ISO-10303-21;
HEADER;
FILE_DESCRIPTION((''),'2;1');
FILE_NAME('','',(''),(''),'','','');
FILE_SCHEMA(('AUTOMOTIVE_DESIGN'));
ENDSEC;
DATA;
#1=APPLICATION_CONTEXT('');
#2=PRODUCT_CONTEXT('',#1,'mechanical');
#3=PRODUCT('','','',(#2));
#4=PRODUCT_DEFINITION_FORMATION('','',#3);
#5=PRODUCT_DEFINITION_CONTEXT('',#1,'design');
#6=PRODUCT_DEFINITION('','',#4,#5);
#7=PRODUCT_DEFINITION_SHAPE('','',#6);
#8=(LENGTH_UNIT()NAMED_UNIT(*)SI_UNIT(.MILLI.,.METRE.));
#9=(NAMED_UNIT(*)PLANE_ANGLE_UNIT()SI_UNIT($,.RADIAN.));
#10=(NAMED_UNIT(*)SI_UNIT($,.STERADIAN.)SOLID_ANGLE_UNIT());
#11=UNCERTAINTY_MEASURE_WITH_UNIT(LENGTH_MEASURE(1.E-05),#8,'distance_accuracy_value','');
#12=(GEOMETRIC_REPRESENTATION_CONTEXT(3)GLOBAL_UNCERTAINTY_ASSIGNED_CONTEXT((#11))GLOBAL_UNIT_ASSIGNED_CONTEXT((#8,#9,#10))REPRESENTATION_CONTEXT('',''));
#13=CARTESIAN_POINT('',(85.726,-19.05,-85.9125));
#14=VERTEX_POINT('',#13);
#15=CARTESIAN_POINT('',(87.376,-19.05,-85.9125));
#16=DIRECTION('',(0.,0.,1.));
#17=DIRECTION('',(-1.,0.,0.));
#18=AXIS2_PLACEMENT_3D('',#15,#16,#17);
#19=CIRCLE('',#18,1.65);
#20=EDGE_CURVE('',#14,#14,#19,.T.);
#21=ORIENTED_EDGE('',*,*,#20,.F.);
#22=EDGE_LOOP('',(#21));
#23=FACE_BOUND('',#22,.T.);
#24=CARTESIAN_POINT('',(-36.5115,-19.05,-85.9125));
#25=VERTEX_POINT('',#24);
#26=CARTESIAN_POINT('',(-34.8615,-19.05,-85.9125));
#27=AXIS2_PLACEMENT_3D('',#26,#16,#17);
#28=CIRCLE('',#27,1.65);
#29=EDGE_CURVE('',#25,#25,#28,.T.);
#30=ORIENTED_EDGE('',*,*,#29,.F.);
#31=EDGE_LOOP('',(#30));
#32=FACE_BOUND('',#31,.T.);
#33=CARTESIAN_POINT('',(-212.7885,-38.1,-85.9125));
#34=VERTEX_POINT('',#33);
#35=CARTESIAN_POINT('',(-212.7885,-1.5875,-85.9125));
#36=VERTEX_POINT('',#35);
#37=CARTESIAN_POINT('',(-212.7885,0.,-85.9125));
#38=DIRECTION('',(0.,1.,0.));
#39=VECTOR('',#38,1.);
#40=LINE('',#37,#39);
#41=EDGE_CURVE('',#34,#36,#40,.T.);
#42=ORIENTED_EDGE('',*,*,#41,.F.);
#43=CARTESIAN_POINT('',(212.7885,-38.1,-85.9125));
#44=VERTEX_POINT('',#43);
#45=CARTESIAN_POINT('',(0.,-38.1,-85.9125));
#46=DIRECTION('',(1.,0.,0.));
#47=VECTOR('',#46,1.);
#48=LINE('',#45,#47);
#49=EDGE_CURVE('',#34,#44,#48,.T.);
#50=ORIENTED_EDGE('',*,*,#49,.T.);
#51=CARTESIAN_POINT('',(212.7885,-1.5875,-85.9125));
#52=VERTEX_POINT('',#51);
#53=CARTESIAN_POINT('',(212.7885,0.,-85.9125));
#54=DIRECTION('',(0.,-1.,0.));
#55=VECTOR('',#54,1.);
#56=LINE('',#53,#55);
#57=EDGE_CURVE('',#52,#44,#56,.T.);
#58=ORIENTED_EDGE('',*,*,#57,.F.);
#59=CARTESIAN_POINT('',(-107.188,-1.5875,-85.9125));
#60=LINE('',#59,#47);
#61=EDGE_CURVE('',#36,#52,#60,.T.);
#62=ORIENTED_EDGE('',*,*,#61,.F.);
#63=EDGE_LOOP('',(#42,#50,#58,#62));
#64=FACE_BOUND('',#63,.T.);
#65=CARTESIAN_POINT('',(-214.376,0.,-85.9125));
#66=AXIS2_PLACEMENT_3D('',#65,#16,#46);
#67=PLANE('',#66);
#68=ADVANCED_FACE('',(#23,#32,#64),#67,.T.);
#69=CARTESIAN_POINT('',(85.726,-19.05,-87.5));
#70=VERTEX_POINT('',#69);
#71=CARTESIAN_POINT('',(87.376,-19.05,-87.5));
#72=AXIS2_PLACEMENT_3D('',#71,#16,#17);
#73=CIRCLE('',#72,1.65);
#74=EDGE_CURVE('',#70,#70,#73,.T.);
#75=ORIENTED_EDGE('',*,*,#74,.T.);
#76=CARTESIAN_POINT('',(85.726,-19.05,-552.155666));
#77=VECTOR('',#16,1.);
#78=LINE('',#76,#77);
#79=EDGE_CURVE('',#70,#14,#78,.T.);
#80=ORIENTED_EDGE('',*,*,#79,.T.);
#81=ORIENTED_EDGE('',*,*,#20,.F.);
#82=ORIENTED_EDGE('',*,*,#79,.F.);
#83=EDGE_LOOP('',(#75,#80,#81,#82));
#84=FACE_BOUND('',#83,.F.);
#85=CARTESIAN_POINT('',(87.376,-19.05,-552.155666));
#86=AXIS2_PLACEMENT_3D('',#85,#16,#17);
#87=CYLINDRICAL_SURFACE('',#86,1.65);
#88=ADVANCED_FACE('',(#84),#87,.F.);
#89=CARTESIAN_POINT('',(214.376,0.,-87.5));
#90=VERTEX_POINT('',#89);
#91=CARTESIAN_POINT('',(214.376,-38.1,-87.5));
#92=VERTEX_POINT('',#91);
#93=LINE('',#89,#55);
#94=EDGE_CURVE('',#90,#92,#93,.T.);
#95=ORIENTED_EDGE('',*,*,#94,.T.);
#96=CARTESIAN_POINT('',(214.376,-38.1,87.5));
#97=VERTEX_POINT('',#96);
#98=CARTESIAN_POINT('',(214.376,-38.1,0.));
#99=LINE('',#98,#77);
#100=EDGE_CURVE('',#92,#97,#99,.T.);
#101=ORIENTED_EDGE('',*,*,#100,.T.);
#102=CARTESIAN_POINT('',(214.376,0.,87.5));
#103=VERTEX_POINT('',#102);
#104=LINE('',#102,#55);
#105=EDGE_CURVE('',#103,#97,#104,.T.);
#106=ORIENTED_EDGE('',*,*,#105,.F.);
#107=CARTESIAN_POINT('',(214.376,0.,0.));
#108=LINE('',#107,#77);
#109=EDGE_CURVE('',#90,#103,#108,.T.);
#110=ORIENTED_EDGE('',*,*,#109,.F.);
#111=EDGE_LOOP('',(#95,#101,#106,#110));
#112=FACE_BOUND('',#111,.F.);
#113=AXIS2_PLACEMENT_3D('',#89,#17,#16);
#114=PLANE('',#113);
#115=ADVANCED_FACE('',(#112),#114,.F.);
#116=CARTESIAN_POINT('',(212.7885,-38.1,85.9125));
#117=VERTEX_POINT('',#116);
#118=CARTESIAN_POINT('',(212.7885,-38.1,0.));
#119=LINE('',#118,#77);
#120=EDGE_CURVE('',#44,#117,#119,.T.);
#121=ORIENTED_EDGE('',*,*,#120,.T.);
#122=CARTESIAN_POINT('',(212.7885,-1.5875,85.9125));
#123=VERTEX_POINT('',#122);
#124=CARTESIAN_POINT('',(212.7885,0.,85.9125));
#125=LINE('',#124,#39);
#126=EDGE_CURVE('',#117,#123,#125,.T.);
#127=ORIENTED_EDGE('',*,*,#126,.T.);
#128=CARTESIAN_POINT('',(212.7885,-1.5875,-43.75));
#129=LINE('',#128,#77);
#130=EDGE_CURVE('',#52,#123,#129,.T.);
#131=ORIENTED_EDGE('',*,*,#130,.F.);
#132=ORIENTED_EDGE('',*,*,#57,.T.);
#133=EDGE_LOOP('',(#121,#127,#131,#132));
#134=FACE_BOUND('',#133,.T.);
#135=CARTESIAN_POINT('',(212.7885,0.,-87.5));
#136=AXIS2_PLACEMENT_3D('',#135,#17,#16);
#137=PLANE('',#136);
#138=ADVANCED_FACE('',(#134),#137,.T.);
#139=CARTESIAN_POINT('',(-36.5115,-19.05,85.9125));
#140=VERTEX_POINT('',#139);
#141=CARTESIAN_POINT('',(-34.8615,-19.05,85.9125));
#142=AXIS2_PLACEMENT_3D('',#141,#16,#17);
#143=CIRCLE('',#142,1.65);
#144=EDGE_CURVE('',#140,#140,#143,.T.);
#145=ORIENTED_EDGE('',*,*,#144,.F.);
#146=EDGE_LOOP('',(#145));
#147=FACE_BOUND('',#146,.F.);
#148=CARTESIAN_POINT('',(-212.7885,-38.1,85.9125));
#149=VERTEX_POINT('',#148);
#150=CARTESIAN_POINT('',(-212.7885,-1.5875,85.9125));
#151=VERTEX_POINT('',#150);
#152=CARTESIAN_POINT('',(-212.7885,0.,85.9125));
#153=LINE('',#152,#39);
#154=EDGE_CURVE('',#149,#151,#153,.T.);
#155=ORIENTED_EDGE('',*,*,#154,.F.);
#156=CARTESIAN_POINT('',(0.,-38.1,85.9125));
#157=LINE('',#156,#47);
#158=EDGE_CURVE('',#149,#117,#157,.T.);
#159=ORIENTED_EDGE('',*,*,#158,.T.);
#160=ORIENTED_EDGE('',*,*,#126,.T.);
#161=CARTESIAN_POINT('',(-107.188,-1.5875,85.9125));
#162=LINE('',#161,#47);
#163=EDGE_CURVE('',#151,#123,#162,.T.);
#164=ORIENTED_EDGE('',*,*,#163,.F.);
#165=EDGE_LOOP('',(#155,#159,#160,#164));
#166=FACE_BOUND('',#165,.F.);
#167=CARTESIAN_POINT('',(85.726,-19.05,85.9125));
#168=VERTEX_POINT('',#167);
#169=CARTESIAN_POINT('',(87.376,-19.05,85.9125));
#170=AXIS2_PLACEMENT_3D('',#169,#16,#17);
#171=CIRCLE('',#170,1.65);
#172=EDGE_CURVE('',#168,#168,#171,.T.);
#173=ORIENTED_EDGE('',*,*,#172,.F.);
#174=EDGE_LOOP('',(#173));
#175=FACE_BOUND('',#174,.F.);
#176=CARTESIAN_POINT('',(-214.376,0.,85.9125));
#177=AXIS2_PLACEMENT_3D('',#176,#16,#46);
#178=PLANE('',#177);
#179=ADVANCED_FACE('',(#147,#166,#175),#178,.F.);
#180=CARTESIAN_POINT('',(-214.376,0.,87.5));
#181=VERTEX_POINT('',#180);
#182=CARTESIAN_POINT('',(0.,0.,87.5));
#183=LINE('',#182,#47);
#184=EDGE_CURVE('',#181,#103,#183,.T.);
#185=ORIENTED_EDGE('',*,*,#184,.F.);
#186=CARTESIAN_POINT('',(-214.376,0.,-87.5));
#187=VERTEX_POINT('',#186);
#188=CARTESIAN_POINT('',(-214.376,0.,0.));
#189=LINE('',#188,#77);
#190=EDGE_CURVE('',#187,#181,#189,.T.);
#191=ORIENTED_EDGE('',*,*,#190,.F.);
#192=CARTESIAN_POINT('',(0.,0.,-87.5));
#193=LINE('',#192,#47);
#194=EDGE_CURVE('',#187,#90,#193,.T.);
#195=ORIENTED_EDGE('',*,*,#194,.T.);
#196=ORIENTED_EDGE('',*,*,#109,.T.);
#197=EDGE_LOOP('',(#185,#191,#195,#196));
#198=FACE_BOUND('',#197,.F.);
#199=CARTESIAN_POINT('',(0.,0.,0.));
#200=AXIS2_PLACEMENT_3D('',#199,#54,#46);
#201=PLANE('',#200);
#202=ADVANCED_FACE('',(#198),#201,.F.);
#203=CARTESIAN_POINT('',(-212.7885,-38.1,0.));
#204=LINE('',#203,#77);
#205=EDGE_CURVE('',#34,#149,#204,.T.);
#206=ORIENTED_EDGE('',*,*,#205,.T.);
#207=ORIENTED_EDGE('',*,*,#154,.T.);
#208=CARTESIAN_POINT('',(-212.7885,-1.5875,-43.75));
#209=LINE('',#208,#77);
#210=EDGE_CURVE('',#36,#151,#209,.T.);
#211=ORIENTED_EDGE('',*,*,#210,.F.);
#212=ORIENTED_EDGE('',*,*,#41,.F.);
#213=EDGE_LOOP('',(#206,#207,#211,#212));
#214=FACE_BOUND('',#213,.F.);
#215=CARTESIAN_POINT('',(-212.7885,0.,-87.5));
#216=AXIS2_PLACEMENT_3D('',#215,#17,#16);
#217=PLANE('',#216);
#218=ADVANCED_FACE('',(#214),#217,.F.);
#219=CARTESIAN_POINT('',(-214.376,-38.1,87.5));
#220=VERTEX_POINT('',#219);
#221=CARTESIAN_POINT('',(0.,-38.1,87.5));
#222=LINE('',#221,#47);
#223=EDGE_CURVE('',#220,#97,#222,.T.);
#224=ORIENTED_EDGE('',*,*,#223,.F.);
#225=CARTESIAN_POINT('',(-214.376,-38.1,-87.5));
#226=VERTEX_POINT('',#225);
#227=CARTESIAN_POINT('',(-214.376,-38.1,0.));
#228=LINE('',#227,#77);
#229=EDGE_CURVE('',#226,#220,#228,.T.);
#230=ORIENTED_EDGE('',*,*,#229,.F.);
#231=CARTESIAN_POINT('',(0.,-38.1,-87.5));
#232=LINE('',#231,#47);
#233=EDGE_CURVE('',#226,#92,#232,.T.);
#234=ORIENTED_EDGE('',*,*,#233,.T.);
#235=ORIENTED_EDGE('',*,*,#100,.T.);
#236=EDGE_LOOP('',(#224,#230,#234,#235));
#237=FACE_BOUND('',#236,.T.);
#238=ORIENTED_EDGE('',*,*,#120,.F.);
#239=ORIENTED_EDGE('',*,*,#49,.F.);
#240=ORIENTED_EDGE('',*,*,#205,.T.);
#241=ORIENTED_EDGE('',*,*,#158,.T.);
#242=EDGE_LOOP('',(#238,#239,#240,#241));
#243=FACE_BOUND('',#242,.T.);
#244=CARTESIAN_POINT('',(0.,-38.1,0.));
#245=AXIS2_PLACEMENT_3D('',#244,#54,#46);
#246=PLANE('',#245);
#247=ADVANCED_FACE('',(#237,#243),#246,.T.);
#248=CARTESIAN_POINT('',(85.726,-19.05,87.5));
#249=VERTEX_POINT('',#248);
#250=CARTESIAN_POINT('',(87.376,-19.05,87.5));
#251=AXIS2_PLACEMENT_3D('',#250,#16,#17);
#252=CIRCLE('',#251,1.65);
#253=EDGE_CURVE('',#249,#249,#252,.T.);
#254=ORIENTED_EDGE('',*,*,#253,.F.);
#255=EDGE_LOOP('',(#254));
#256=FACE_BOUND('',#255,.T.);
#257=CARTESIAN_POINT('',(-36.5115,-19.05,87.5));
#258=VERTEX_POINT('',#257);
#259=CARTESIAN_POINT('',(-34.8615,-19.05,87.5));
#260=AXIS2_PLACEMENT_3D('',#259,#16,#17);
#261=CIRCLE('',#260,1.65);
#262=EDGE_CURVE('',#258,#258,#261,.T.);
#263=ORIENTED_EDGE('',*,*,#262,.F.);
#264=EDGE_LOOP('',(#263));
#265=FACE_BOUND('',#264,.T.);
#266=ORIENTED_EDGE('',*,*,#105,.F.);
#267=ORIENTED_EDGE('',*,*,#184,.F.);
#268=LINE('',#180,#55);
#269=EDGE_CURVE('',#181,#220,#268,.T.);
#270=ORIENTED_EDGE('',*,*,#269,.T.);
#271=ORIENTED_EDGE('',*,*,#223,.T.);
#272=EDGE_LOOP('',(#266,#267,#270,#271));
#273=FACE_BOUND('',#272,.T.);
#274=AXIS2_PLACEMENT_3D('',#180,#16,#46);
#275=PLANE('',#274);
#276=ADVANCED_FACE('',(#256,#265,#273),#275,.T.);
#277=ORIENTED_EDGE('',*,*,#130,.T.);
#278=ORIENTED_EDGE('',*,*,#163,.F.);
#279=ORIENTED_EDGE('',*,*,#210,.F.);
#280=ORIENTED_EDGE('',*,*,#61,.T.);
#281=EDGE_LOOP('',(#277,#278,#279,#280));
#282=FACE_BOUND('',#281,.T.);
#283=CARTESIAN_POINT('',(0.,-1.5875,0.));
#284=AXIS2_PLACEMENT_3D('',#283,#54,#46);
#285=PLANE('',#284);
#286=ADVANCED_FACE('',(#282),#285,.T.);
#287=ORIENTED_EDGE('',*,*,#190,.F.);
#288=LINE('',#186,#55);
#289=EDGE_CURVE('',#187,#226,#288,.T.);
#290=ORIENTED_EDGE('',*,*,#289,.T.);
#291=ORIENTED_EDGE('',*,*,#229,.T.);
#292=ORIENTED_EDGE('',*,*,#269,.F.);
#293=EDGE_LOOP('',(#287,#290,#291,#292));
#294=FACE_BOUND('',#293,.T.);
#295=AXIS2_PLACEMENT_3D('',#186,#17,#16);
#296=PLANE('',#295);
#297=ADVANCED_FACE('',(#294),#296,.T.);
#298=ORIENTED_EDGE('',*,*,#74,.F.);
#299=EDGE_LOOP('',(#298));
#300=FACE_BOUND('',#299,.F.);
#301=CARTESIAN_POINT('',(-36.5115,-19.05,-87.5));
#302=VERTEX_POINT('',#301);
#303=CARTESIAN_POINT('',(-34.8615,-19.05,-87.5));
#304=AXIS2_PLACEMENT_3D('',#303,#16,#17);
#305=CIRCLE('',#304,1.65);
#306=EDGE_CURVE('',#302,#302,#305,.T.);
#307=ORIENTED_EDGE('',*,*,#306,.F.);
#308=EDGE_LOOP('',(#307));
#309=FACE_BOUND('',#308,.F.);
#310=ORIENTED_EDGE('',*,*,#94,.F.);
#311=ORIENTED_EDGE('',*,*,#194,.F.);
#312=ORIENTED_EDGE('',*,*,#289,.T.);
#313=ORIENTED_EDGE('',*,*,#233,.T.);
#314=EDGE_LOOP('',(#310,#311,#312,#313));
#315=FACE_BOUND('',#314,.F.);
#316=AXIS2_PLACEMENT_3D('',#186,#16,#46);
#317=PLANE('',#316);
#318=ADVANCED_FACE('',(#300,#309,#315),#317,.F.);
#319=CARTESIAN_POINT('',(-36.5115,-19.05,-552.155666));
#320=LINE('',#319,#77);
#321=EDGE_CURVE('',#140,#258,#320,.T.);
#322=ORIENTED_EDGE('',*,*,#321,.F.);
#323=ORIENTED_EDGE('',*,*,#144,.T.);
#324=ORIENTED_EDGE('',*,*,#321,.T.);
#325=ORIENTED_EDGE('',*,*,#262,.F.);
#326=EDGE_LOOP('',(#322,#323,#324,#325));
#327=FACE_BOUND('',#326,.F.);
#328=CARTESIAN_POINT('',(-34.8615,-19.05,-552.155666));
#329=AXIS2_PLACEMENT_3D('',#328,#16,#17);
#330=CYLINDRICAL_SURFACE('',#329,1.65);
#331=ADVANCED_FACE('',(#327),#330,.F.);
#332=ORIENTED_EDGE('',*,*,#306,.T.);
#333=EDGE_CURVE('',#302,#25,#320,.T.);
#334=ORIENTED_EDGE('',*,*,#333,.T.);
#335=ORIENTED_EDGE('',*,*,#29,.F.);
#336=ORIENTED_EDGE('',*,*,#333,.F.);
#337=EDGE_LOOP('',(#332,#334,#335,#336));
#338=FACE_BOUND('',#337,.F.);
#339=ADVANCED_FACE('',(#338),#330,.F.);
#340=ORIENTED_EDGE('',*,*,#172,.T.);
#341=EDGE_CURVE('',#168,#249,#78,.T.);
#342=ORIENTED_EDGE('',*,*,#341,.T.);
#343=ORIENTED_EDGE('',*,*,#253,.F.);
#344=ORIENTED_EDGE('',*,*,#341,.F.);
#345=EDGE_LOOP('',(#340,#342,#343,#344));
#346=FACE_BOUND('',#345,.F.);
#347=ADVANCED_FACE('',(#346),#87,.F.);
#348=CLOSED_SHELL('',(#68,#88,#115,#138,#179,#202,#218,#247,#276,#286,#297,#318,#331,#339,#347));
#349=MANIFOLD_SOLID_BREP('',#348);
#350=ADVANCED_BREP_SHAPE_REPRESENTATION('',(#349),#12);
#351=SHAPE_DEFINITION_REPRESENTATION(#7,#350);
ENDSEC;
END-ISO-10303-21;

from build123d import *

# Parameters (mm, degrees)
F0_W     = 428.752
F0_H     = 175
F1_DEPTH = 38.1
F2_T     = -1.5875
F4_D     = 3.3


with BuildPart() as f1:
    # F0 (on Front) → F1 (new body)
    with BuildSketch(Plane.XZ):
        Rectangle(F0_W, F0_H)
    extrude(amount=F1_DEPTH)

    # F2
    f2_openings = [f1.faces().sort_by_distance(p)[0] for p in [
        (0, -38.1, 0),
    ]]
    offset(amount=F2_T, openings=f2_openings)

    # F4 (through all)
    with Locations(Plane(origin=(0, 0, -87.5), x_dir=(1, 0, 0), z_dir=(0, 0, -1))):
        with Locations((-34.8615, 19.05), (87.376, 19.05)):
            Hole(F4_D / 2)


solid = f1.part
